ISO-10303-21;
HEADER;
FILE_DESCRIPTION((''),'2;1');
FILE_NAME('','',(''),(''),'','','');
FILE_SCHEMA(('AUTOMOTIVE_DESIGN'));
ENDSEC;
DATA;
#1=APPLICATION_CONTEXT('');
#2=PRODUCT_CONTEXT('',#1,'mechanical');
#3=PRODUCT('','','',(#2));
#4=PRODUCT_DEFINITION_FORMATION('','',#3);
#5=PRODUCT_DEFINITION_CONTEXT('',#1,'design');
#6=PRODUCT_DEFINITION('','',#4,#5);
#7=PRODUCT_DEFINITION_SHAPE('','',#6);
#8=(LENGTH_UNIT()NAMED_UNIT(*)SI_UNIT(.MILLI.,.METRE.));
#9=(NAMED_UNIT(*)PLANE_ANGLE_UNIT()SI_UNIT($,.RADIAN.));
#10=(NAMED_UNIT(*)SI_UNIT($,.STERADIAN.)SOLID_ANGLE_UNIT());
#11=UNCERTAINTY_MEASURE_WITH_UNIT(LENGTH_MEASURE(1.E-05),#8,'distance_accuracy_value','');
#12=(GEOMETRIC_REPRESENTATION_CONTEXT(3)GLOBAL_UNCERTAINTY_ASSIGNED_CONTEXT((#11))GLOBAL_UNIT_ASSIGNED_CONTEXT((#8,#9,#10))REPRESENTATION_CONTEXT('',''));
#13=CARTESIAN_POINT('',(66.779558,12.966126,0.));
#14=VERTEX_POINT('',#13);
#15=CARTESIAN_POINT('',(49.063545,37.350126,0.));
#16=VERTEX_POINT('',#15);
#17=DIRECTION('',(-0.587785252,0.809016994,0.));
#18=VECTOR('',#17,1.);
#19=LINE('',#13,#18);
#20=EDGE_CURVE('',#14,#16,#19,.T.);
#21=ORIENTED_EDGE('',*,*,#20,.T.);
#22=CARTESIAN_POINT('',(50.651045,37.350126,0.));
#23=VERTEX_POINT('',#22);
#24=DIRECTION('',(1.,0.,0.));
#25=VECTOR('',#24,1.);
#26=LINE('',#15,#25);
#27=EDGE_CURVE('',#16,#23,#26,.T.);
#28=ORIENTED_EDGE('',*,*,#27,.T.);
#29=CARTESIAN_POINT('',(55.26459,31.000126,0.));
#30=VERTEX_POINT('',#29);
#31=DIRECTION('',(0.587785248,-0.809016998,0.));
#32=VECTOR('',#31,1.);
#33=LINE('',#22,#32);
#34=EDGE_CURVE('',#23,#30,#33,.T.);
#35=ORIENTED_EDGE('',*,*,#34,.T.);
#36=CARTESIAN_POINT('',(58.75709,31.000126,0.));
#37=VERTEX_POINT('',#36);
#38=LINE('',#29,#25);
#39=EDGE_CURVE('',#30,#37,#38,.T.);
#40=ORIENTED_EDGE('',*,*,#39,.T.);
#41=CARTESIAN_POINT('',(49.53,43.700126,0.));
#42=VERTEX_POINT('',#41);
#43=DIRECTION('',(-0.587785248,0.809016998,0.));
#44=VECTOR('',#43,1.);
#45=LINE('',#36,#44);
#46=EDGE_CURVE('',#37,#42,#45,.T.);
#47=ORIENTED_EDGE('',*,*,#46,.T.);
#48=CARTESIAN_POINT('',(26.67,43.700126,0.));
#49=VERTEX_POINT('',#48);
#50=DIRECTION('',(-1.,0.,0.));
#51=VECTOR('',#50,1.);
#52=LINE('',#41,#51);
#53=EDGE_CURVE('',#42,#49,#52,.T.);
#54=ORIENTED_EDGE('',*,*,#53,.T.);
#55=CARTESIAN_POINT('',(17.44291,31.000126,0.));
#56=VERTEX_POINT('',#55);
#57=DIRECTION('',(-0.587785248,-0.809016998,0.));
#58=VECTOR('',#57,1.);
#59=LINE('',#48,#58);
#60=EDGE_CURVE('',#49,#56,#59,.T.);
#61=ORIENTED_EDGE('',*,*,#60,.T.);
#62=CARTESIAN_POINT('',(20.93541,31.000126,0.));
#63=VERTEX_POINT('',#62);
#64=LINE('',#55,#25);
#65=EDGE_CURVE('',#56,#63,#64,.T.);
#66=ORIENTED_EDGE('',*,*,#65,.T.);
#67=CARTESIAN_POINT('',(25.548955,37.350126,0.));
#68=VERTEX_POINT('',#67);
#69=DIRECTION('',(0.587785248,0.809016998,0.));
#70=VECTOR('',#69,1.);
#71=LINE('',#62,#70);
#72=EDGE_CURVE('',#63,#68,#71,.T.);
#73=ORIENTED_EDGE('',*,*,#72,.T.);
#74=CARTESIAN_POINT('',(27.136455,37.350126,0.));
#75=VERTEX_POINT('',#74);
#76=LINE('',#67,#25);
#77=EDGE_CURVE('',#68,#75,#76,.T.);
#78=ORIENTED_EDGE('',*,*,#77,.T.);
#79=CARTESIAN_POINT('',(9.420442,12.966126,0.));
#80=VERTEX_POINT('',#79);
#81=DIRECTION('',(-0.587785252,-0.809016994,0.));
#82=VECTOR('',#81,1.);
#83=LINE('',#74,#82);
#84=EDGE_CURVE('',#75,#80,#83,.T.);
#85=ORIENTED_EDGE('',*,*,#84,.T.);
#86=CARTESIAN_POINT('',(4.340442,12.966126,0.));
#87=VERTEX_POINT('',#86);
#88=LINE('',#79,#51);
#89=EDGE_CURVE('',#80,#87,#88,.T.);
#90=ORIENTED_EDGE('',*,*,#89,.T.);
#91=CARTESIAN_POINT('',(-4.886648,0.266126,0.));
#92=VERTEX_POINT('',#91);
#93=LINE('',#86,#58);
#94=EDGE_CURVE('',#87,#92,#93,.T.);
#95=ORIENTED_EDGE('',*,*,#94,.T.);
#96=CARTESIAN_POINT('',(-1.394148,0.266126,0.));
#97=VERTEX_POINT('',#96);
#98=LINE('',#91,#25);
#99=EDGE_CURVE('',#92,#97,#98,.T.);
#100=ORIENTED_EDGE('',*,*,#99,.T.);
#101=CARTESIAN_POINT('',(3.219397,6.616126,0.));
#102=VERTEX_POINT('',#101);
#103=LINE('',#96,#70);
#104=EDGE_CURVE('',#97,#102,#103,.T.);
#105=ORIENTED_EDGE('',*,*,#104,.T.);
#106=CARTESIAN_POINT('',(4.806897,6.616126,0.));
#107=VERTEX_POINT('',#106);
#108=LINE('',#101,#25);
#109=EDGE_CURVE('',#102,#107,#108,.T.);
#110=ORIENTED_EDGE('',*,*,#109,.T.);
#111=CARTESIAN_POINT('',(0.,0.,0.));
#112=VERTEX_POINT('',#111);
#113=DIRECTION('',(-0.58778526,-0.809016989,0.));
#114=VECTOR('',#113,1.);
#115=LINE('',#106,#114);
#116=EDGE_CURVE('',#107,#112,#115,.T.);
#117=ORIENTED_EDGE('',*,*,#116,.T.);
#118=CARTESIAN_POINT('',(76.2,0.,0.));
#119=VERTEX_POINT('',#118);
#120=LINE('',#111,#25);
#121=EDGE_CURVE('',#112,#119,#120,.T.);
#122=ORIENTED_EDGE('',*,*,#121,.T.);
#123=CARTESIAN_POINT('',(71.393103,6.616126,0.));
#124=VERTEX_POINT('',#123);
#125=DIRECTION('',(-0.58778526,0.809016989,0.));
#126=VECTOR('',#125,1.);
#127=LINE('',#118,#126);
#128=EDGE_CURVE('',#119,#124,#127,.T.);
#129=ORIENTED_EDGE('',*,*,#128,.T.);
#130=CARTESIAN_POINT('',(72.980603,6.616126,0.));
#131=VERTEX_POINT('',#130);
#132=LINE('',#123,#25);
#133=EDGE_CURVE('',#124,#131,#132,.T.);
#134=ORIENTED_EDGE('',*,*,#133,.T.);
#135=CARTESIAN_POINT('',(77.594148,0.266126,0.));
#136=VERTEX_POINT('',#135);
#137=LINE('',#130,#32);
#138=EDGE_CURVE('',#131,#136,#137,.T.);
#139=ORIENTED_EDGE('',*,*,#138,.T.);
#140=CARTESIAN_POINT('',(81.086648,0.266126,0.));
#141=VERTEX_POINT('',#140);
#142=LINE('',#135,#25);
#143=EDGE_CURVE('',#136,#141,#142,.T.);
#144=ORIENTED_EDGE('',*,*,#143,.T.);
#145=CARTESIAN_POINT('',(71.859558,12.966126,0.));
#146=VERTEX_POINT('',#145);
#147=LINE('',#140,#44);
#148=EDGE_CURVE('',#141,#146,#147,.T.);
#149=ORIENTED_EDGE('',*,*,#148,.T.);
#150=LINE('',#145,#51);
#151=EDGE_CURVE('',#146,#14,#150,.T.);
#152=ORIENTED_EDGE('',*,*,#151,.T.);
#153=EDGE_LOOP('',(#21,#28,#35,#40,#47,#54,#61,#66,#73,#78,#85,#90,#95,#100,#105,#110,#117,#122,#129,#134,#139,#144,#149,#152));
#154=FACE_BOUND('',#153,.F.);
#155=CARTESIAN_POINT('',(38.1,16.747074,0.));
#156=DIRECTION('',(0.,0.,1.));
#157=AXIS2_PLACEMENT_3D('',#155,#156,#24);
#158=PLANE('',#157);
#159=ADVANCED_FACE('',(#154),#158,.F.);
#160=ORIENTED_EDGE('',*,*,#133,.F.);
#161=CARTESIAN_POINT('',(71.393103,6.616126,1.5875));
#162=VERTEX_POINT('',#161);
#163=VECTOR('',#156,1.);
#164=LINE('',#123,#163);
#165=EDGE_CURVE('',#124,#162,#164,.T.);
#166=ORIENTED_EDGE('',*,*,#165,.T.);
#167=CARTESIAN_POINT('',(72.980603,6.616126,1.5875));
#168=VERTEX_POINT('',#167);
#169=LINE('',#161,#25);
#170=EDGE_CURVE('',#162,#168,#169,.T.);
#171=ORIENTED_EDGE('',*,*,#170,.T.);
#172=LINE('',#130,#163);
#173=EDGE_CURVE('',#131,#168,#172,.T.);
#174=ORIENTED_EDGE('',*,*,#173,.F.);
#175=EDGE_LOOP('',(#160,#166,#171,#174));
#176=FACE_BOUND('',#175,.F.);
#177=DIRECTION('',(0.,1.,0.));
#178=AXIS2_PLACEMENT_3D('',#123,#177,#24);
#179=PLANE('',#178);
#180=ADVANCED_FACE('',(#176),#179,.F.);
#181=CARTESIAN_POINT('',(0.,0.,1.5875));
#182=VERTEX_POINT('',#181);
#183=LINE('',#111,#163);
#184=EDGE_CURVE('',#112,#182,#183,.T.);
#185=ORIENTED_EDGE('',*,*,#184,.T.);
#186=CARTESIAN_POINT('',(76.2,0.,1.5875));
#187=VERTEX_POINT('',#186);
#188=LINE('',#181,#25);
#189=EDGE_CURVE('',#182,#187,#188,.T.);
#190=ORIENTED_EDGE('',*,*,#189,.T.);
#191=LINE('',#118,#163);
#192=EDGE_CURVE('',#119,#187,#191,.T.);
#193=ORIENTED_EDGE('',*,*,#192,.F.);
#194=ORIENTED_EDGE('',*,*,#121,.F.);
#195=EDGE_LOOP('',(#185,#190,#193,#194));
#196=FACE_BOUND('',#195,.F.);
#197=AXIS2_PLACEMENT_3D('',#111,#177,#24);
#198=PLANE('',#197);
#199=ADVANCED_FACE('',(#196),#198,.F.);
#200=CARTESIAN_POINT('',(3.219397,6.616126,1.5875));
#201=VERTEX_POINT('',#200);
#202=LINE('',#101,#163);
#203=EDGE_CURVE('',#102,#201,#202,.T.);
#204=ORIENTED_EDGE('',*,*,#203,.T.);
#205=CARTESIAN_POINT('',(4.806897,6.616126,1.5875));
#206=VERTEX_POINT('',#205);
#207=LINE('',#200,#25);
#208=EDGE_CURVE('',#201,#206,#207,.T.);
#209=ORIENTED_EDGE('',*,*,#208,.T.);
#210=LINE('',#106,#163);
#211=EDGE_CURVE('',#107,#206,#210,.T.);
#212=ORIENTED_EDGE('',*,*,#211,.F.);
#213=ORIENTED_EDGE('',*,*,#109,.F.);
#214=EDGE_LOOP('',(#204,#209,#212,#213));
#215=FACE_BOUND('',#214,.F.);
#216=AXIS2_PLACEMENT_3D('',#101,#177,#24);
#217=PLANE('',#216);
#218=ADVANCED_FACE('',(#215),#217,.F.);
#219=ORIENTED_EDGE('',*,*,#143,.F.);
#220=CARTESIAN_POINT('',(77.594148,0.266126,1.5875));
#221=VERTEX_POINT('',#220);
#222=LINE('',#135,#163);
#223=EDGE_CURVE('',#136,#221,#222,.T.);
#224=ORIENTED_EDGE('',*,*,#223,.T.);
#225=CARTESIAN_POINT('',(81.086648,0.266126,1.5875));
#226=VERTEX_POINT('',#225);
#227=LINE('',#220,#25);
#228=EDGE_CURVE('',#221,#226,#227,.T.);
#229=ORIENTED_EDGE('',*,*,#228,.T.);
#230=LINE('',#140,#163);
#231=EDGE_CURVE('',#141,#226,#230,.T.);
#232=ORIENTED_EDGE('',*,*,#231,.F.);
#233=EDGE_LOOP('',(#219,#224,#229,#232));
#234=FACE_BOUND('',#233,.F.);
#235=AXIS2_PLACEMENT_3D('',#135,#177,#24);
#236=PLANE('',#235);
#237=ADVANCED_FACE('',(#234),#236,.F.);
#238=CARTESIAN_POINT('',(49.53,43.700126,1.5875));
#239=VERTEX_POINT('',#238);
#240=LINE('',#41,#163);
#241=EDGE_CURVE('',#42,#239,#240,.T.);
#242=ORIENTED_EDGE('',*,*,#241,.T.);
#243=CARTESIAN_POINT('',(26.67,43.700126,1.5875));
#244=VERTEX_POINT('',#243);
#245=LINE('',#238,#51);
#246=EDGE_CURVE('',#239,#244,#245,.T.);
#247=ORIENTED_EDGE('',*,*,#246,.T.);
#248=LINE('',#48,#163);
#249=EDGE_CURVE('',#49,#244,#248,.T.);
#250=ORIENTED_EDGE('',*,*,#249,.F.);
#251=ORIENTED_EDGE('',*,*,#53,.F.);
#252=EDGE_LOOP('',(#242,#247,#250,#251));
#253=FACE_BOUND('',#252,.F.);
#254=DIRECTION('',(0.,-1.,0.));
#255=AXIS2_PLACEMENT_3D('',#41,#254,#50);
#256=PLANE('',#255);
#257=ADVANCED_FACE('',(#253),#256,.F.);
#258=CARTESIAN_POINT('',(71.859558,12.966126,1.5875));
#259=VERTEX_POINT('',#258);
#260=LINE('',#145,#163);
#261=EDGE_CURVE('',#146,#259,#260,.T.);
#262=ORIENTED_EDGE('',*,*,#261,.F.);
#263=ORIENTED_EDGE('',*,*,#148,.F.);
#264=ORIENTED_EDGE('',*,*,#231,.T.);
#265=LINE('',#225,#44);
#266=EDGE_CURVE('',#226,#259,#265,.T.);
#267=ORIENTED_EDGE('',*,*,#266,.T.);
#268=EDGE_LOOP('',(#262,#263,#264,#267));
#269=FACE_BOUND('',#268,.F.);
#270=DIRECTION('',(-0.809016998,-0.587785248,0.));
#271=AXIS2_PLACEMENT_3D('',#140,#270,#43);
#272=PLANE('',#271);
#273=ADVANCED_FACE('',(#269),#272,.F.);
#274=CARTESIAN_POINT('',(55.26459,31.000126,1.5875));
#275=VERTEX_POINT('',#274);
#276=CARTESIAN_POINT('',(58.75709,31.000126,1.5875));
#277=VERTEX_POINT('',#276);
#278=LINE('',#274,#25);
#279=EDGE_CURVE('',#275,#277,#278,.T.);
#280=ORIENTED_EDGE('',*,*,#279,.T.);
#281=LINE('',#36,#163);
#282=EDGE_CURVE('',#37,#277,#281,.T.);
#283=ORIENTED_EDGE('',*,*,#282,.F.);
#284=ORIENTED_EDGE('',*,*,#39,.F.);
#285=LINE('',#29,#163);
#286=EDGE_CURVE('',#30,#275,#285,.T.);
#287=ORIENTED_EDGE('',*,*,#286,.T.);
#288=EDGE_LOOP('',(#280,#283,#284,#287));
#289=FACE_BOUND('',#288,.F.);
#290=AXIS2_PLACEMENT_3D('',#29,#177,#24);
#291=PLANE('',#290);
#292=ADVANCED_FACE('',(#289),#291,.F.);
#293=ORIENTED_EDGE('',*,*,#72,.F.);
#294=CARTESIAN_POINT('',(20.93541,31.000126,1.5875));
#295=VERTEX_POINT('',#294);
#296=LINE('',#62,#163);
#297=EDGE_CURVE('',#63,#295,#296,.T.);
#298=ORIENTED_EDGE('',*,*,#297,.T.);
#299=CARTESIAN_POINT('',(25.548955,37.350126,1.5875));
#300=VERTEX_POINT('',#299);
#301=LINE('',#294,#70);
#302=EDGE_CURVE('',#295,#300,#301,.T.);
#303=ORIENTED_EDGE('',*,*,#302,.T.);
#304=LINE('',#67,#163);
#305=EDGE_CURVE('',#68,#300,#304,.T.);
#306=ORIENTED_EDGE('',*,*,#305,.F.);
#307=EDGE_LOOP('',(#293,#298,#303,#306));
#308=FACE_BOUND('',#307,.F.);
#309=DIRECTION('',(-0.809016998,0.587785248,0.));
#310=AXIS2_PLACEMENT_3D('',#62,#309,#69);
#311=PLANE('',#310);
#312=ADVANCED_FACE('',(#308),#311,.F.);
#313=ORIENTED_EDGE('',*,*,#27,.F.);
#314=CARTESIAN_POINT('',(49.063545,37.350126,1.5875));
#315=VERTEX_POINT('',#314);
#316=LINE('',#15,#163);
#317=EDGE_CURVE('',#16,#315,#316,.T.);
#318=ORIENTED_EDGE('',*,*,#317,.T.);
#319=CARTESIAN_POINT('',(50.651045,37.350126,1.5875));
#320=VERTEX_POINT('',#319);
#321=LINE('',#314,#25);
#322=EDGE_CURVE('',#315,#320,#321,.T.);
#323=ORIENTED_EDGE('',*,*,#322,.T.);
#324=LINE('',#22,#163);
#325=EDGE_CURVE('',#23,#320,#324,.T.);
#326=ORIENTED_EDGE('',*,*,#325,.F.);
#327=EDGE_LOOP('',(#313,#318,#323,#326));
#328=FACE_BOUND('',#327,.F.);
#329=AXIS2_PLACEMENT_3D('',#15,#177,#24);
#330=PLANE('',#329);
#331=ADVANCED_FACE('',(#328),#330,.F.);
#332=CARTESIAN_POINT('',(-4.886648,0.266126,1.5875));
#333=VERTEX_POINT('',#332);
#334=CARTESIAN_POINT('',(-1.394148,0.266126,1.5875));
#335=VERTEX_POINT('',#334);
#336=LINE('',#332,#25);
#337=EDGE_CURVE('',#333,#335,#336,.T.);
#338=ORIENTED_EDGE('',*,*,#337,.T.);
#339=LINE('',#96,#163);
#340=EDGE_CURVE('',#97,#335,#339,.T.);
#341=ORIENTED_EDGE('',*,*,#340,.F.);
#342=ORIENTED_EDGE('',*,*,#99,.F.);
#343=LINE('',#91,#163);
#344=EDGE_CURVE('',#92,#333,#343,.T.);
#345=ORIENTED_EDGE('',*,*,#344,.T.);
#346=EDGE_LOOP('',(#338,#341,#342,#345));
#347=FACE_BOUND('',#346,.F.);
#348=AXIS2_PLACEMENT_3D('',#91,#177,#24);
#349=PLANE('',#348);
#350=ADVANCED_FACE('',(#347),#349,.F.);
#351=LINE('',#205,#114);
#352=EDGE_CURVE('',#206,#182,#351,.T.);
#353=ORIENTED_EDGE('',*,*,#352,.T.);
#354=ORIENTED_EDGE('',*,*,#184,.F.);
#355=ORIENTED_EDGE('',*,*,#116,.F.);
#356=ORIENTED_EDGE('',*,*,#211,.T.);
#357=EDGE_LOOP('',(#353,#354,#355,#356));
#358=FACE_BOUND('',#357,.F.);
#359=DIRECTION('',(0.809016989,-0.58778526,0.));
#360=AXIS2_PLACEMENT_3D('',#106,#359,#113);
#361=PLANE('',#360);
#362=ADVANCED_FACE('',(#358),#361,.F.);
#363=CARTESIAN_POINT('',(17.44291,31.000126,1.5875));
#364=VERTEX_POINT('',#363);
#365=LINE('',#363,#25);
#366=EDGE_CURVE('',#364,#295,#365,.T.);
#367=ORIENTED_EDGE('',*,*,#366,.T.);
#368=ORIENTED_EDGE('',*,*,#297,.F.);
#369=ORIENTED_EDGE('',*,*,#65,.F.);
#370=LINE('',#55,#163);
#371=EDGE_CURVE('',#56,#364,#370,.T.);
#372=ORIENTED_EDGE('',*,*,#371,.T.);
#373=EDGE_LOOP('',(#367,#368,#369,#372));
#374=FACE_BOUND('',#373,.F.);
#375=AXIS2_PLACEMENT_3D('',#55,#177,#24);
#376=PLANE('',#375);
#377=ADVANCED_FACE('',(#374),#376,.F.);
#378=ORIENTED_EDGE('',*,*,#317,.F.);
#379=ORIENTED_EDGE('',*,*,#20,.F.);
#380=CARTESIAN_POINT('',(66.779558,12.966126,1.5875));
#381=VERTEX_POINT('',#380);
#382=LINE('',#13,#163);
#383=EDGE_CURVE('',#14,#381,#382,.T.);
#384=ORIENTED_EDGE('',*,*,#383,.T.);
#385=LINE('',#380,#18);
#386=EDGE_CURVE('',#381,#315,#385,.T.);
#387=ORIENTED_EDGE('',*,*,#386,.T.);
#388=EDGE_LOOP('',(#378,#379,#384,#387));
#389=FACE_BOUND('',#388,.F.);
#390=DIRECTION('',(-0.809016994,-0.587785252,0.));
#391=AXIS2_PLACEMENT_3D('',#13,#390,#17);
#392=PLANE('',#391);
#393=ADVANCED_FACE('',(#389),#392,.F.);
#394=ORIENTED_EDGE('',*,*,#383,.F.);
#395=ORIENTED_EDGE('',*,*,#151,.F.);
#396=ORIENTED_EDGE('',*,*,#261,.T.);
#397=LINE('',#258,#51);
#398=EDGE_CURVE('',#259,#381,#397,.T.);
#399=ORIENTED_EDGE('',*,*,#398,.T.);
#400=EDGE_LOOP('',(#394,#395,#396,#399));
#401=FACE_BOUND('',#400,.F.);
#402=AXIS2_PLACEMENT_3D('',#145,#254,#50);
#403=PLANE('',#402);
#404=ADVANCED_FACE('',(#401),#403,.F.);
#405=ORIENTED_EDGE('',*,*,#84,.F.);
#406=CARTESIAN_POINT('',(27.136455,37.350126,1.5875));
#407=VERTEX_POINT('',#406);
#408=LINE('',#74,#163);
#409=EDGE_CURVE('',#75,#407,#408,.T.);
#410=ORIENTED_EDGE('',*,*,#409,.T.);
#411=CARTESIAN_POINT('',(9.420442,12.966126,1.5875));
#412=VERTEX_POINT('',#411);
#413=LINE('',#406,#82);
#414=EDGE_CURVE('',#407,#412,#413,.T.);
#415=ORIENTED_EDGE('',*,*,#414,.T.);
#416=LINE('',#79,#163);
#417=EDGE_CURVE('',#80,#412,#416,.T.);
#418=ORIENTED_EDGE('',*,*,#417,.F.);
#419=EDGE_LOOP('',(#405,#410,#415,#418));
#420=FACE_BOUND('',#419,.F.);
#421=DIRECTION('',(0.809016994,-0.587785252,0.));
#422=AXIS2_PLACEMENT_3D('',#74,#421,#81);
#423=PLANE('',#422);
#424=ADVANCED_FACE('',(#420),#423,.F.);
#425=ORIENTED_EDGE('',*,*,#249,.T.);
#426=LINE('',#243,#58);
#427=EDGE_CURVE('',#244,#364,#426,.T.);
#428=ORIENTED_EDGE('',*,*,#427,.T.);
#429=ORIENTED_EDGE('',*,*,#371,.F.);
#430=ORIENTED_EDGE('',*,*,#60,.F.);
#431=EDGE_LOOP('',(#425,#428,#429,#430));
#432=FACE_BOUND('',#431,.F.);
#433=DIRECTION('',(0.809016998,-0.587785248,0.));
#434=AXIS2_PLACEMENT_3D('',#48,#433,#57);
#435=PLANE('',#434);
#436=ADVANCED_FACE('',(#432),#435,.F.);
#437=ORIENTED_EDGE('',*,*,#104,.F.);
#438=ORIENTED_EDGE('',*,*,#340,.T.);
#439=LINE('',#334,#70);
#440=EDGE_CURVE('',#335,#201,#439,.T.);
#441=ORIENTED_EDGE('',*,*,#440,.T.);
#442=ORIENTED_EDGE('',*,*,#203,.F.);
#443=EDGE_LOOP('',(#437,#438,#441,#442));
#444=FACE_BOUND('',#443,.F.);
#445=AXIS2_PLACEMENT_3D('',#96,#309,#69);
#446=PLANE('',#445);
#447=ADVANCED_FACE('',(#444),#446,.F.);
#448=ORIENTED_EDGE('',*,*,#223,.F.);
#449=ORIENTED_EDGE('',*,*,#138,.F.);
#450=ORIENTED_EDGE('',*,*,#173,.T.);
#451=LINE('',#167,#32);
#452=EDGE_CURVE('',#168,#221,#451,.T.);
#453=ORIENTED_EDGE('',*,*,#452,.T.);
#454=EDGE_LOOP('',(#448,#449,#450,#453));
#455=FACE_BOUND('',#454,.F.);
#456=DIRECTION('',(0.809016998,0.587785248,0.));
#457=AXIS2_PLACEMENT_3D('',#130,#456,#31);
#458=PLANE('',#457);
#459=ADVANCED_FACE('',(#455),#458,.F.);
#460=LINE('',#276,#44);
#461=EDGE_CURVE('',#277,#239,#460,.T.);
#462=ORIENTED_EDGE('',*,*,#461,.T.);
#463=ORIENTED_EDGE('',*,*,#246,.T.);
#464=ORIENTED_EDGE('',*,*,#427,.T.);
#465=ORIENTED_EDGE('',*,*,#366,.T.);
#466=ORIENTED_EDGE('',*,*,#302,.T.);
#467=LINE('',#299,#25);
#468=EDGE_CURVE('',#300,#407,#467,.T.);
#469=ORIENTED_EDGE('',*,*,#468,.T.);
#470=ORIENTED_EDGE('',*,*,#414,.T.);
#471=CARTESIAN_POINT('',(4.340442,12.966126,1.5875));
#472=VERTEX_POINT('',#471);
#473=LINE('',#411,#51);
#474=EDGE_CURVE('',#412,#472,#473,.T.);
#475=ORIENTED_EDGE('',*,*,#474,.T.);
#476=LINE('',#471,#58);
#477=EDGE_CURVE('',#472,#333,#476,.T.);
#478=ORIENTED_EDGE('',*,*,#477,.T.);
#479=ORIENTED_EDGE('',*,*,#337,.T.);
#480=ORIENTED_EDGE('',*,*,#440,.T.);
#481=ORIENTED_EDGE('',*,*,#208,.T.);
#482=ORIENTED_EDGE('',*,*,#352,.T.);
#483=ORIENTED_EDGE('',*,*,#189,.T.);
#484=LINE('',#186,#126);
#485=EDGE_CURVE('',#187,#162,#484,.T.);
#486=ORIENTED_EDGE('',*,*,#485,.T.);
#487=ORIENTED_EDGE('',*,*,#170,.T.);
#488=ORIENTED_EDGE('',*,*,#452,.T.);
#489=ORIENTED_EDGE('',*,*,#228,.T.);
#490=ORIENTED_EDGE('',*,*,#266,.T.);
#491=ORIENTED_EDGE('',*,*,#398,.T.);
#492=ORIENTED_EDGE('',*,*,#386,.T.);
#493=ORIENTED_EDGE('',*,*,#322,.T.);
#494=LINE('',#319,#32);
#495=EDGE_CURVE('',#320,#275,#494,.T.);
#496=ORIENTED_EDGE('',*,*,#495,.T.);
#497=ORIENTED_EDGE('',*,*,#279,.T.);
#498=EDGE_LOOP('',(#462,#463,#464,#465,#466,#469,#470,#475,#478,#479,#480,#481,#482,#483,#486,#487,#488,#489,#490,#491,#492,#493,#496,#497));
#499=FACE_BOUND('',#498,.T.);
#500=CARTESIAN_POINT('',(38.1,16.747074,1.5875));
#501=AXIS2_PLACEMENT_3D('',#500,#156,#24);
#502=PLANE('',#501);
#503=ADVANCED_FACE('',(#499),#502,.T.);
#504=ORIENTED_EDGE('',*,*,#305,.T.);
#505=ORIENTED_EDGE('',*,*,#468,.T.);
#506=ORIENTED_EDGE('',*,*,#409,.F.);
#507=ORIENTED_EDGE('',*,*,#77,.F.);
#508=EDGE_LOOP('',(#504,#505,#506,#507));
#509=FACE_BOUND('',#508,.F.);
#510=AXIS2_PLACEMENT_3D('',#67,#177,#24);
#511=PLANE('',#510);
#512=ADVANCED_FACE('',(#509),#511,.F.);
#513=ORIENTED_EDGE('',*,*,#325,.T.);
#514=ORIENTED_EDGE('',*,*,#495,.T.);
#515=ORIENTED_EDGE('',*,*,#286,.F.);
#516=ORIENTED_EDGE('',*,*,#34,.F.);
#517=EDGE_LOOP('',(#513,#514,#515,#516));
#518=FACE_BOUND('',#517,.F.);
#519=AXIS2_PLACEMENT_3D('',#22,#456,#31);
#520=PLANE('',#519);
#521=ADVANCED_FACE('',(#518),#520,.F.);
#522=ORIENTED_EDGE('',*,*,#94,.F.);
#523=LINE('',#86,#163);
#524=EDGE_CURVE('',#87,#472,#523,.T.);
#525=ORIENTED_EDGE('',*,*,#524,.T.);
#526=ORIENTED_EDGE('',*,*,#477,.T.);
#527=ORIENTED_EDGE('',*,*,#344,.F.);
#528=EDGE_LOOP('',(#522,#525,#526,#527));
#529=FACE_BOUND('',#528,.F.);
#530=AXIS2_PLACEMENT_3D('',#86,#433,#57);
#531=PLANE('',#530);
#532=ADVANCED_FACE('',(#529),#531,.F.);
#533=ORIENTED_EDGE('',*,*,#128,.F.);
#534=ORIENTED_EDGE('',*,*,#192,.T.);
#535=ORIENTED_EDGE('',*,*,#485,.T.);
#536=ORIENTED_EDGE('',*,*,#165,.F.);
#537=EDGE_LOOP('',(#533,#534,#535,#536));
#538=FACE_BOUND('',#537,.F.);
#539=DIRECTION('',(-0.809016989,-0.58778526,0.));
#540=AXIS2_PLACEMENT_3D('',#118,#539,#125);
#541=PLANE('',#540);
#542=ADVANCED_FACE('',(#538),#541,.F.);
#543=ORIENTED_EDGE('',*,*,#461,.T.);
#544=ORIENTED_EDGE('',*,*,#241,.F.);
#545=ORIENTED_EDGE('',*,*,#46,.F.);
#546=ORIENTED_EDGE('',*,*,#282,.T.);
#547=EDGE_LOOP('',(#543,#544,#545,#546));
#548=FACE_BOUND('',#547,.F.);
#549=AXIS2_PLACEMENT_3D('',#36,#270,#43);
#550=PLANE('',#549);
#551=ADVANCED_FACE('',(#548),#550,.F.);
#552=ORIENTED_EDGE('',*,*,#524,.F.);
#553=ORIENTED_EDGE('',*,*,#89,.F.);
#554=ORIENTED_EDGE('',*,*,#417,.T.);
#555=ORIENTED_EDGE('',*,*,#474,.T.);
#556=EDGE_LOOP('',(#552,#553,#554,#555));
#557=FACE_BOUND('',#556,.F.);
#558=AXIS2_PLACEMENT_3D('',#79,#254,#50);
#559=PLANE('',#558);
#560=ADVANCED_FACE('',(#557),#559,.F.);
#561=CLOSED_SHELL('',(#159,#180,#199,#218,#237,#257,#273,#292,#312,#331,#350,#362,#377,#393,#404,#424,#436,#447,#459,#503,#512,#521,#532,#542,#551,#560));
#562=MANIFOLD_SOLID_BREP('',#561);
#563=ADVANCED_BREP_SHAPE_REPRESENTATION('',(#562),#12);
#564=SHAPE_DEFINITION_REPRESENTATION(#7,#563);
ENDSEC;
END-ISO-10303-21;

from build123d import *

# Parameters (mm, degrees)
F1_DEPTH = 1.5875


with BuildPart() as f1:
    # F0 (on Top) → F1 (new body)
    with BuildSketch(Plane.XY):
        Polygon((38.1, 43.700126), (31.75, 43.700126), (26.67, 43.700126), (17.44291, 31.000126), (20.93541, 31.000126), (25.548955, 37.350126), (27.136455, 37.350126), (9.420442, 12.966126), (4.340442, 12.966126), (-4.886648, 0.266126), (-1.394148, 0.266126), (3.219397, 6.616126), (4.806897, 6.616126), (0, 0), (38.1, 0), (76.2, 0), (71.393103, 6.616126), (72.980603, 6.616126), (77.594148, 0.266126), (81.086648, 0.266126), (71.859558, 12.966126), (66.779558, 12.966126), (49.063545, 37.350126), (50.651045, 37.350126), (55.26459, 31.000126), (58.75709, 31.000126), (49.53, 43.700126), (44.45, 43.700126), align=None)
    extrude(amount=F1_DEPTH)


solid = f1.part
